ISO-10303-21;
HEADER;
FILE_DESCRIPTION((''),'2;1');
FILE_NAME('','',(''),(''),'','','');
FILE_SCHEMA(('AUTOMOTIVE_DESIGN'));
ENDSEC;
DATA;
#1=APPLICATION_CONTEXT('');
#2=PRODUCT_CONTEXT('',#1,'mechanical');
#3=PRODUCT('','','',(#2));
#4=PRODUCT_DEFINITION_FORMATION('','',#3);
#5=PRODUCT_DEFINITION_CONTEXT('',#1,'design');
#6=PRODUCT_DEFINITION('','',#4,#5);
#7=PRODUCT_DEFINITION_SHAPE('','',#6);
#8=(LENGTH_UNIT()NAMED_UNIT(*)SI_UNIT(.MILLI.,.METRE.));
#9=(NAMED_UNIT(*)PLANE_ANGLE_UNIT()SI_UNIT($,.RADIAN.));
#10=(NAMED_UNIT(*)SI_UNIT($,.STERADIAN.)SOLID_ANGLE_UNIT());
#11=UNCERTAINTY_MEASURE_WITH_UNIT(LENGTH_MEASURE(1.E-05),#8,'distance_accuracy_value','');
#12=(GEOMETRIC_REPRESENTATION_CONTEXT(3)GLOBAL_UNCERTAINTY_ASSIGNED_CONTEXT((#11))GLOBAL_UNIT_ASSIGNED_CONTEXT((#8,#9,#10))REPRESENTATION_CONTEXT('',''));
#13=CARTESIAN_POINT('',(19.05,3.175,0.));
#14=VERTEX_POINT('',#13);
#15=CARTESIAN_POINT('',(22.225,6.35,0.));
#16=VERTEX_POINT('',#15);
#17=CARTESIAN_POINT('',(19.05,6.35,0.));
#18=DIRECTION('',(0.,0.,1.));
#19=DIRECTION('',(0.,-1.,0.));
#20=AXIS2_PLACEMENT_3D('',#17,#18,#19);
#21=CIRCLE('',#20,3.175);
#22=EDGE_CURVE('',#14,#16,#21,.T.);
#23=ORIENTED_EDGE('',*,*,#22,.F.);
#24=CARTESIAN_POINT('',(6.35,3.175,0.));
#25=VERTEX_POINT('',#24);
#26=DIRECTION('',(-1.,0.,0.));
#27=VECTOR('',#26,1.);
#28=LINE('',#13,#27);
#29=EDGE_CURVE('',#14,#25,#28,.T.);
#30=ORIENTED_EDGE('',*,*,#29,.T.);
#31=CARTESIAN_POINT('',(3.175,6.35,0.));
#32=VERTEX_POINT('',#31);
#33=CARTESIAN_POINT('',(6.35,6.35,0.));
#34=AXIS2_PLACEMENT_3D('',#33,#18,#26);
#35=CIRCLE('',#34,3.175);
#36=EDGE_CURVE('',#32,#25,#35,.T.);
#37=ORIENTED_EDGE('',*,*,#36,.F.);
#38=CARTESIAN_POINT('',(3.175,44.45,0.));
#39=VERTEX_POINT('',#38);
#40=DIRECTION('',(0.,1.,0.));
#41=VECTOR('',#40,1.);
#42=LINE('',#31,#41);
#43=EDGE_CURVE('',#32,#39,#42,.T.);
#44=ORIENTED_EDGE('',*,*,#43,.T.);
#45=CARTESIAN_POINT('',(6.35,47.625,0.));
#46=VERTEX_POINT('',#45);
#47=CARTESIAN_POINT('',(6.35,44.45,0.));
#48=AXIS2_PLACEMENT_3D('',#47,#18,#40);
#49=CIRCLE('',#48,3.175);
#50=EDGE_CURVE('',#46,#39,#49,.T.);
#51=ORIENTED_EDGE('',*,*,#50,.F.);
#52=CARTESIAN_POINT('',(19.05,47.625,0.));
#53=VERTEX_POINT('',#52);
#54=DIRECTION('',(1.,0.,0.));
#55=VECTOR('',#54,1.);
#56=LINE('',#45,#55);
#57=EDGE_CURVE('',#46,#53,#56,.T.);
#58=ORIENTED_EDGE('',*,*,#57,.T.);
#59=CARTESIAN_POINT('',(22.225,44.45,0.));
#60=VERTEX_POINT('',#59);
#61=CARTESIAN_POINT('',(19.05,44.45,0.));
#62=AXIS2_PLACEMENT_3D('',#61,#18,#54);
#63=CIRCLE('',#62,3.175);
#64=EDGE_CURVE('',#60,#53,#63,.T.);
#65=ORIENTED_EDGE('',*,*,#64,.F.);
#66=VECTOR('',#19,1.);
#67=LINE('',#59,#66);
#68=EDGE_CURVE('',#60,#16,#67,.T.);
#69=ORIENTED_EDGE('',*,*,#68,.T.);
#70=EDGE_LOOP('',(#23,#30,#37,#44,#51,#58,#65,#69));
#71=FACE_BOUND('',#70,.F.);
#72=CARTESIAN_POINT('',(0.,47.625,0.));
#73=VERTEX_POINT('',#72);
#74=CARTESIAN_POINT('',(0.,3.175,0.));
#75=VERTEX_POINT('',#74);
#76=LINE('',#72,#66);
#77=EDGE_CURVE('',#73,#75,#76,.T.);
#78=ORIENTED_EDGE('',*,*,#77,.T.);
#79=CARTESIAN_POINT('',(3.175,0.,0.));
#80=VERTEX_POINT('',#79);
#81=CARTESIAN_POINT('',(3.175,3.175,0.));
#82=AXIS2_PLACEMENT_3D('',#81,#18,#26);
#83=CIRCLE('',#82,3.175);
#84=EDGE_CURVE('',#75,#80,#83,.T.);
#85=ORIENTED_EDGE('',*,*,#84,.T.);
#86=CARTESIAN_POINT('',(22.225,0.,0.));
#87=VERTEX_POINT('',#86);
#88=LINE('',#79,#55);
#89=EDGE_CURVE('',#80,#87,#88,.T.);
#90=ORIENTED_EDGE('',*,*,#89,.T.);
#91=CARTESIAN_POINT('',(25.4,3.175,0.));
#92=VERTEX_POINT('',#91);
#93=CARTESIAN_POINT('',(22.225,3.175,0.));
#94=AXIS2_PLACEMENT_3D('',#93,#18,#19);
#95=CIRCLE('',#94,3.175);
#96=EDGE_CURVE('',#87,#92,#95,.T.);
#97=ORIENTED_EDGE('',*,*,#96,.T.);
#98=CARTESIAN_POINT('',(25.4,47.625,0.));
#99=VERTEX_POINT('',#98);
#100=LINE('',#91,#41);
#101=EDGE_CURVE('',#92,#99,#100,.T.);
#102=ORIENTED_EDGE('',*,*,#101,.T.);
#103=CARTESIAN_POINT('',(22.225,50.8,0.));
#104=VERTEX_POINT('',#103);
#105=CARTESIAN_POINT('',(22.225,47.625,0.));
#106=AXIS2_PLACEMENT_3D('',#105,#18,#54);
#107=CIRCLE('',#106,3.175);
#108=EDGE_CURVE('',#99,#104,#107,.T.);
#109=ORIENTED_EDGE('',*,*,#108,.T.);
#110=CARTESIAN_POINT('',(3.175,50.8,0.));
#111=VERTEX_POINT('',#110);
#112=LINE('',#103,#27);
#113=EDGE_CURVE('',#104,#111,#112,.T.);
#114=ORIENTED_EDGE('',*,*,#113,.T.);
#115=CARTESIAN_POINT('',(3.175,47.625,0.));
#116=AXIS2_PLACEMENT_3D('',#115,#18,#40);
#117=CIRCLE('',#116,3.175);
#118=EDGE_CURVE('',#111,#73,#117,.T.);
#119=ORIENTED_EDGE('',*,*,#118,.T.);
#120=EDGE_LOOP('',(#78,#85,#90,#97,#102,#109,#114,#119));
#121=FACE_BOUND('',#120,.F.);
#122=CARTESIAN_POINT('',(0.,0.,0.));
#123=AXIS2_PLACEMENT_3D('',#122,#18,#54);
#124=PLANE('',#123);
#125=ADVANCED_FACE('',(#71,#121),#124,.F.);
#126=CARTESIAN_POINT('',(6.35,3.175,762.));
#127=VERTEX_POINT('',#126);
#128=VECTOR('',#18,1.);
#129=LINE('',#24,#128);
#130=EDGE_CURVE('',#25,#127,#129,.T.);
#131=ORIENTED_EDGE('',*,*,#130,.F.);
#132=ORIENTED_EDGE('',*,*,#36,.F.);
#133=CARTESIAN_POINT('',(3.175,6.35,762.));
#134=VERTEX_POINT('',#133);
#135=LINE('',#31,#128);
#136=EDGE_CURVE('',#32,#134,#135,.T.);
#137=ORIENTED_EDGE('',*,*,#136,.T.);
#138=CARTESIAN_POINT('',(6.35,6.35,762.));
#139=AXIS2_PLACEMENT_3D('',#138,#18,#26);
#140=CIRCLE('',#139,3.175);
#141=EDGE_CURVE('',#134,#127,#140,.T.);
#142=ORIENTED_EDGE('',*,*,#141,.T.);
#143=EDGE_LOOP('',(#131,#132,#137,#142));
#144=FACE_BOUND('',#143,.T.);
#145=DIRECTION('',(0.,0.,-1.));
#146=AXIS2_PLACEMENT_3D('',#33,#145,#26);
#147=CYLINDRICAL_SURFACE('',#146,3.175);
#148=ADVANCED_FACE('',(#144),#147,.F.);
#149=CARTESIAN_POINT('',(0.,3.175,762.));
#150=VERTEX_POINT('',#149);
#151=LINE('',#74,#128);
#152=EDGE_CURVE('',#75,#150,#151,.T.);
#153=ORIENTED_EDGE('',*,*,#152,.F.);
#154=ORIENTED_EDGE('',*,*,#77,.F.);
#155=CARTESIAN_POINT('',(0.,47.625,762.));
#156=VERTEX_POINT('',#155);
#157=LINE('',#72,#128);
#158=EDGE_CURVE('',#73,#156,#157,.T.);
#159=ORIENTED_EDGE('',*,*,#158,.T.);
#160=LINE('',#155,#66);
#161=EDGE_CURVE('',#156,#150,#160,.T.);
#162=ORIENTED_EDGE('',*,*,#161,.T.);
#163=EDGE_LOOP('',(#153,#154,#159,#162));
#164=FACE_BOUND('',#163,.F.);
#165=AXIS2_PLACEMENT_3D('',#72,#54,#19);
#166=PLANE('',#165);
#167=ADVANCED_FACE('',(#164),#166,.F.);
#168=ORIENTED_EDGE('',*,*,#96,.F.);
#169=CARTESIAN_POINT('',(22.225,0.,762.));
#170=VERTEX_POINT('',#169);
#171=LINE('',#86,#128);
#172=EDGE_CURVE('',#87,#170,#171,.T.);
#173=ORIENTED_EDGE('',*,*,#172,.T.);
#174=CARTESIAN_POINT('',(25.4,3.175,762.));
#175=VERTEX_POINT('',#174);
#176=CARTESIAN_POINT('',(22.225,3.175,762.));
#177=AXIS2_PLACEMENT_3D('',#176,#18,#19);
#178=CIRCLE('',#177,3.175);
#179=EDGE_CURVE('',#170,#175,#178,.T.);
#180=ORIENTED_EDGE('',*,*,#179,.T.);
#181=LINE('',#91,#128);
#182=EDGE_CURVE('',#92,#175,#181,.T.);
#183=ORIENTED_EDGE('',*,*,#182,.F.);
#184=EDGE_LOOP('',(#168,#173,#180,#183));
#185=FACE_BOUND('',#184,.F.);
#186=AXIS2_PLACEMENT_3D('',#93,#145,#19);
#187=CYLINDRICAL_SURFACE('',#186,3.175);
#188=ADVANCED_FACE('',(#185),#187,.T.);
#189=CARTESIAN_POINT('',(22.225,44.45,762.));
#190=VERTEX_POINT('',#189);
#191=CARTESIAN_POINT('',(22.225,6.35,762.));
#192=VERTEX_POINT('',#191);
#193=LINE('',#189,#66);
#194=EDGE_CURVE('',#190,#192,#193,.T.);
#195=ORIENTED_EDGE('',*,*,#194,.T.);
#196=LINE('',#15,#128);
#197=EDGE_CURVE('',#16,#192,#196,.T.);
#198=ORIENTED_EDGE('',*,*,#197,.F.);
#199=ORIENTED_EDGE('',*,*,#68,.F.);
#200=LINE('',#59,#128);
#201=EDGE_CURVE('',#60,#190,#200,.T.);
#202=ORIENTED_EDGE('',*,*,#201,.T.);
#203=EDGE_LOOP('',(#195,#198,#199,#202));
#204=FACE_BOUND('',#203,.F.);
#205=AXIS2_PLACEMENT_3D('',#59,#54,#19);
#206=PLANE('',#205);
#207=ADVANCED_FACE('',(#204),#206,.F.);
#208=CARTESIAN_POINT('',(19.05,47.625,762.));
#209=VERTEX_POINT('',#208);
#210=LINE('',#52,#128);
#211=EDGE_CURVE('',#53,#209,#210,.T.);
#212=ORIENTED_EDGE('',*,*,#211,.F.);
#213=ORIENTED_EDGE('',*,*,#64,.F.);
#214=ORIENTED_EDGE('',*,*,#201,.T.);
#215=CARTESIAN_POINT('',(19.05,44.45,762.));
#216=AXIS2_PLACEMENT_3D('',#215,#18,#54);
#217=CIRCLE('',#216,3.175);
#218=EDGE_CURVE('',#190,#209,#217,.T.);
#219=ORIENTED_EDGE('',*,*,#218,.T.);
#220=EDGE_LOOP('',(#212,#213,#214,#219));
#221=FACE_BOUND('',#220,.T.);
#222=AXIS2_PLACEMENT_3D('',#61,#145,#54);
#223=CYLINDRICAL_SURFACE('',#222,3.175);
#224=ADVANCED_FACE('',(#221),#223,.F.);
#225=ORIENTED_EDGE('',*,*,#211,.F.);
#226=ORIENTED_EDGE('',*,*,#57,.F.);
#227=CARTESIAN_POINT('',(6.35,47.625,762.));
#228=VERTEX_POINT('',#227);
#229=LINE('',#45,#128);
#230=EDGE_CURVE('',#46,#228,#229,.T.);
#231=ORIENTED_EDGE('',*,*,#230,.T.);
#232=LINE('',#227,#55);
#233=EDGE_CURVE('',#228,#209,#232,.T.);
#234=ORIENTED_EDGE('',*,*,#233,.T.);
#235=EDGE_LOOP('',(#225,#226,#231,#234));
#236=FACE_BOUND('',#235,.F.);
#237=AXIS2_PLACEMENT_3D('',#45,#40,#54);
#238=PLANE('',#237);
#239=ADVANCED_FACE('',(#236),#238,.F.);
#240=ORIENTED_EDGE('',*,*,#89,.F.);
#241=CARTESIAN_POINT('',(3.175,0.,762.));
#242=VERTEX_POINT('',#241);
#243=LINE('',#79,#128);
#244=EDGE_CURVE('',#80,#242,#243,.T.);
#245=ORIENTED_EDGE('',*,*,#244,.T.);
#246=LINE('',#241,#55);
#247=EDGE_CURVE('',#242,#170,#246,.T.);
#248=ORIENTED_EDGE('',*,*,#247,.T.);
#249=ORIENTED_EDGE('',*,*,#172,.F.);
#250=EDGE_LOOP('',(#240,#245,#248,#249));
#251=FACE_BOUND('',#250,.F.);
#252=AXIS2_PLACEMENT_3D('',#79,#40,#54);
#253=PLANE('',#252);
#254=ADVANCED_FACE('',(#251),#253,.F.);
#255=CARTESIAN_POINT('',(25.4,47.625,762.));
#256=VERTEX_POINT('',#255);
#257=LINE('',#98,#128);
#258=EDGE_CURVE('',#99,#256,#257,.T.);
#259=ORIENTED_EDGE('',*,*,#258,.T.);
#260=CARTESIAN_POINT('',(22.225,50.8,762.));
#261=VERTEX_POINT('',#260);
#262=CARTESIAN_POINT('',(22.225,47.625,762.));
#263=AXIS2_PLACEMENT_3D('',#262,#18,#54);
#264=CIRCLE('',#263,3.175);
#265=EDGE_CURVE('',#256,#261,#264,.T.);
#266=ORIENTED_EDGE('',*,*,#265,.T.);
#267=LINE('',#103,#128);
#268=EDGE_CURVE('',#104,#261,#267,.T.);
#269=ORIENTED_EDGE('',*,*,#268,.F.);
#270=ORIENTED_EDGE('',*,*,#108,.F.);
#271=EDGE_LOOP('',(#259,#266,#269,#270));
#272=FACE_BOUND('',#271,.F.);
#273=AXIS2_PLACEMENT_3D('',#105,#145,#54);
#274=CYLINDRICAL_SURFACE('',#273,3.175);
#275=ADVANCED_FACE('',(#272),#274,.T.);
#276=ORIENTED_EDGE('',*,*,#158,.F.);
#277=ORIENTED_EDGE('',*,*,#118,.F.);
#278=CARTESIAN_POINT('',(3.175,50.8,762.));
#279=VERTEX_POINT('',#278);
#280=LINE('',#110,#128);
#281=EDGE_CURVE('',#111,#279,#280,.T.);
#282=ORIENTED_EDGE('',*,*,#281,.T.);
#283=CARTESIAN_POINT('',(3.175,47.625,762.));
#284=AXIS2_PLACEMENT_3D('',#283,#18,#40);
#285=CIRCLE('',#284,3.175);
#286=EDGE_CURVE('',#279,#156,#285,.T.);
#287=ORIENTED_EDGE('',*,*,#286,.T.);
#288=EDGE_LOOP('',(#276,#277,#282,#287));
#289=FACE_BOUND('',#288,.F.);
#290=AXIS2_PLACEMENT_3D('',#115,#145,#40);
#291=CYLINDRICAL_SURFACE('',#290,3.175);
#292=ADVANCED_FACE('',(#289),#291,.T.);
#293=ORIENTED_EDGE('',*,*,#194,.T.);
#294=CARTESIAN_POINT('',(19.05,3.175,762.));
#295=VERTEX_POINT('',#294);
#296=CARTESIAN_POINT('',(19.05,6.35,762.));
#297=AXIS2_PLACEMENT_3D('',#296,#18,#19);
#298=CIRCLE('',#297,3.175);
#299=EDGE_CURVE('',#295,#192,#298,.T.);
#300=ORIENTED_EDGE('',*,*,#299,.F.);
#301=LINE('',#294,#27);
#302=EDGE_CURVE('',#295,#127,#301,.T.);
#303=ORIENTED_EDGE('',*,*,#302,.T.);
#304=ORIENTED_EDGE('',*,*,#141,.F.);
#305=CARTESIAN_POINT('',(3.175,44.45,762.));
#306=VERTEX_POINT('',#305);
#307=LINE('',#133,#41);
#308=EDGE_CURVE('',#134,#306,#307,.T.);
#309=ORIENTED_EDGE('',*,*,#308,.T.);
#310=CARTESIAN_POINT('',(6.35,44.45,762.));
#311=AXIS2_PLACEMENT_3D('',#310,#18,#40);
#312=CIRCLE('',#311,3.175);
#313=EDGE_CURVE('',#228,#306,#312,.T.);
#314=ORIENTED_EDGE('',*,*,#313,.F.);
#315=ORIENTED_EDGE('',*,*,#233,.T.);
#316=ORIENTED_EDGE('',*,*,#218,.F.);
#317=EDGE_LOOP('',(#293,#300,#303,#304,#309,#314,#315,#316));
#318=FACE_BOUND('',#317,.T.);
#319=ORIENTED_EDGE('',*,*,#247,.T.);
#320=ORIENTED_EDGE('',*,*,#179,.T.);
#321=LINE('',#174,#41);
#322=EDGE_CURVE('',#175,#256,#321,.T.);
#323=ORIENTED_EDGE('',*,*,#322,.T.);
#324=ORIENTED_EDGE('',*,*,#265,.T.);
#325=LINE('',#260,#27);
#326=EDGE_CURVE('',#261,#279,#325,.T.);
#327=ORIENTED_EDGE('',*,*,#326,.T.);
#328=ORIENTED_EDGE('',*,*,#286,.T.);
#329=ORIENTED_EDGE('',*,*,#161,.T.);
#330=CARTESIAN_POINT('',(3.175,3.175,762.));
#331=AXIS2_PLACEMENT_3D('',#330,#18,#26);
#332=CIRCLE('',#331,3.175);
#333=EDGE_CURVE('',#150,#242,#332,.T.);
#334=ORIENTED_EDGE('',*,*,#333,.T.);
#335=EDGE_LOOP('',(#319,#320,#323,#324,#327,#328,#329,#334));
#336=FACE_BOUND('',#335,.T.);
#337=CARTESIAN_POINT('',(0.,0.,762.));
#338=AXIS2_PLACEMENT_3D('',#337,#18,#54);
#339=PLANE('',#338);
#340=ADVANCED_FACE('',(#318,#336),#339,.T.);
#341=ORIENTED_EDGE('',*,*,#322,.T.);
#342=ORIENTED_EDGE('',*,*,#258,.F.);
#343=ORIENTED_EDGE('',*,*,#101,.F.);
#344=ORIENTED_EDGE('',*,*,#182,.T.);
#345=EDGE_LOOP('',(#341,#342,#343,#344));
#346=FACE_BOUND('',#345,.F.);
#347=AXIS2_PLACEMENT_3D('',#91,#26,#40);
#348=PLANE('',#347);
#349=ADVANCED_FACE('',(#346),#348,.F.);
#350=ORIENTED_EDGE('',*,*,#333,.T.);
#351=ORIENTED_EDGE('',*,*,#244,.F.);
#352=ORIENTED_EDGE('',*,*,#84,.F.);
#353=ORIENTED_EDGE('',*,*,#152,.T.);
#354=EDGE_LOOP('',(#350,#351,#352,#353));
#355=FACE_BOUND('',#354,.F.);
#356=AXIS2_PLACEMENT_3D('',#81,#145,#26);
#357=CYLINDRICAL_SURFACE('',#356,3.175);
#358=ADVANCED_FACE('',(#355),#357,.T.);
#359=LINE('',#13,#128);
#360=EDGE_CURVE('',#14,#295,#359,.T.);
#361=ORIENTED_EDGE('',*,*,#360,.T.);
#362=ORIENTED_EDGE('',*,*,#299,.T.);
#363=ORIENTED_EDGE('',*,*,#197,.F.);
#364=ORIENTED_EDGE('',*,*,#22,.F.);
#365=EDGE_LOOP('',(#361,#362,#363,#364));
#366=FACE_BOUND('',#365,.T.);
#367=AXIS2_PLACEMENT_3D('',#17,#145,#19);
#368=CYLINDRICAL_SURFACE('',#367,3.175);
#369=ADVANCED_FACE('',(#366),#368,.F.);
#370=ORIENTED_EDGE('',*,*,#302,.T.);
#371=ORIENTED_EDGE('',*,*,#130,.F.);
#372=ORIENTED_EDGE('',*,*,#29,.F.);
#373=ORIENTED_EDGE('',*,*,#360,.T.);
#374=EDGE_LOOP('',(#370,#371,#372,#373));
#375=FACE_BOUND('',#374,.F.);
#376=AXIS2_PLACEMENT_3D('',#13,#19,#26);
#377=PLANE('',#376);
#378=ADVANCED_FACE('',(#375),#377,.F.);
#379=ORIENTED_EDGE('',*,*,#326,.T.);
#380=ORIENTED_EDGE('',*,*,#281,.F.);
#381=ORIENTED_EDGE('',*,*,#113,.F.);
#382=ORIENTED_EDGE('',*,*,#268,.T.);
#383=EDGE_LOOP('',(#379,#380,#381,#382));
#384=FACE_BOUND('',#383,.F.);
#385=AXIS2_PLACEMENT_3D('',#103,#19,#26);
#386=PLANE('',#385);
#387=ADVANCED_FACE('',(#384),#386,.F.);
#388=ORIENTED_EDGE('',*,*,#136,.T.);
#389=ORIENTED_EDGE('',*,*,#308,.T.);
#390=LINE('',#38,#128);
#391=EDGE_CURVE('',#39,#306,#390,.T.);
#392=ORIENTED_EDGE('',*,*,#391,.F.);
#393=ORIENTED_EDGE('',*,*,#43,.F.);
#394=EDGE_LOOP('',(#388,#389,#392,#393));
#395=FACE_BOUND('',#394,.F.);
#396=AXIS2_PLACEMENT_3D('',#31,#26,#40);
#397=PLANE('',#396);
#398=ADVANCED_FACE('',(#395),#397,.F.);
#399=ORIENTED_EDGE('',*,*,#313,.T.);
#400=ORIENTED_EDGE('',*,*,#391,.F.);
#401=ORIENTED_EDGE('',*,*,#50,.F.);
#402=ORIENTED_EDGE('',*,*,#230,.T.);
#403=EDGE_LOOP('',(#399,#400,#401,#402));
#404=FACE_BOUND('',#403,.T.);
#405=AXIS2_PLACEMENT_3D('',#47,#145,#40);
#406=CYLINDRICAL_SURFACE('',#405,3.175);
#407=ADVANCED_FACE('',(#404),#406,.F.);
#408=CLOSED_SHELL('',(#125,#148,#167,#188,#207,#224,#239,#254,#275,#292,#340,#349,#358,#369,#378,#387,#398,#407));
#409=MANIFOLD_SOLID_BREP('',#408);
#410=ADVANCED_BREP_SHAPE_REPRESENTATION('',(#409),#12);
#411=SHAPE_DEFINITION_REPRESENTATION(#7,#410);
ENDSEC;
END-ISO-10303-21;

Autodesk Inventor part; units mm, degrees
ref_plane "YZ Plane" through (0, 0, 0) normal (1, 0, 0) x (0, 1, 0)
ref_plane "XZ Plane" through (0, 0, 0) normal (0, 1, 0) x (-1, 0, 0)
ref_plane "XY Plane" through (0, 0, 0) normal (0, 0, 1) x (1, 0, 0)
sketch "Sketch1" plane through (0, 0, 0) normal (0, 0, 1) x (1, 0, 0)
  line L0 (3.175, 0) -> (22.225, 0)
  line L1 (25.4, 3.175) -> (25.4, 47.625)
  line L2 (22.225, 50.8) -> (3.175, 50.8)
  line L3 (0, 47.625) -> (0, 3.175)
  arc A0 (3.175, 50.8) -> (0, 47.625) centre (3.175, 47.625) ccw
  arc A1 (25.4, 47.625) -> (22.225, 50.8) centre (22.225, 47.625) ccw
  arc A2 (22.225, 0) -> (25.4, 3.175) centre (22.225, 3.175) ccw
  arc A3 (0, 3.175) -> (3.175, 0) centre (3.175, 3.175) ccw
  line L4 (6.35, 47.625) -> (19.05, 47.625)
  line L5 (22.225, 44.45) -> (22.225, 6.35)
  line L6 (19.05, 3.175) -> (6.35, 3.175)
  line L7 (3.175, 6.35) -> (3.175, 44.45)
  arc A4 (6.35, 47.625) -> (3.175, 44.45) centre (6.35, 44.45) ccw
  arc A5 (22.225, 44.45) -> (19.05, 47.625) centre (19.05, 44.45) ccw
  arc A6 (3.175, 6.35) -> (6.35, 3.175) centre (6.35, 6.35) ccw
  arc A7 (19.05, 3.175) -> (22.225, 6.35) centre (19.05, 6.35) ccw
  point P0 (0, 0)
  point P1 (25.4, 0)
  point P2 (0, 50.8)
  dimension "d0" = 50.8
  dimension "d1" = 25.4
  dimension "d2" = 3.175
  dimension "d3" = 3.175
  dimension "d4" = 3.175
  dimension "d5" = 3.175
  dimension "d6" = 3.175
  dimension "d7" = 3.175
  dimension "d8" = 3.175
  dimension "d9" = 3.175
  dimension "d10" = 3.175
extrude "Extrusion1" add sketch "Sketch1" along normal blind 762
properties part number "O channel 30 inch" material "Steel, Alloy"
